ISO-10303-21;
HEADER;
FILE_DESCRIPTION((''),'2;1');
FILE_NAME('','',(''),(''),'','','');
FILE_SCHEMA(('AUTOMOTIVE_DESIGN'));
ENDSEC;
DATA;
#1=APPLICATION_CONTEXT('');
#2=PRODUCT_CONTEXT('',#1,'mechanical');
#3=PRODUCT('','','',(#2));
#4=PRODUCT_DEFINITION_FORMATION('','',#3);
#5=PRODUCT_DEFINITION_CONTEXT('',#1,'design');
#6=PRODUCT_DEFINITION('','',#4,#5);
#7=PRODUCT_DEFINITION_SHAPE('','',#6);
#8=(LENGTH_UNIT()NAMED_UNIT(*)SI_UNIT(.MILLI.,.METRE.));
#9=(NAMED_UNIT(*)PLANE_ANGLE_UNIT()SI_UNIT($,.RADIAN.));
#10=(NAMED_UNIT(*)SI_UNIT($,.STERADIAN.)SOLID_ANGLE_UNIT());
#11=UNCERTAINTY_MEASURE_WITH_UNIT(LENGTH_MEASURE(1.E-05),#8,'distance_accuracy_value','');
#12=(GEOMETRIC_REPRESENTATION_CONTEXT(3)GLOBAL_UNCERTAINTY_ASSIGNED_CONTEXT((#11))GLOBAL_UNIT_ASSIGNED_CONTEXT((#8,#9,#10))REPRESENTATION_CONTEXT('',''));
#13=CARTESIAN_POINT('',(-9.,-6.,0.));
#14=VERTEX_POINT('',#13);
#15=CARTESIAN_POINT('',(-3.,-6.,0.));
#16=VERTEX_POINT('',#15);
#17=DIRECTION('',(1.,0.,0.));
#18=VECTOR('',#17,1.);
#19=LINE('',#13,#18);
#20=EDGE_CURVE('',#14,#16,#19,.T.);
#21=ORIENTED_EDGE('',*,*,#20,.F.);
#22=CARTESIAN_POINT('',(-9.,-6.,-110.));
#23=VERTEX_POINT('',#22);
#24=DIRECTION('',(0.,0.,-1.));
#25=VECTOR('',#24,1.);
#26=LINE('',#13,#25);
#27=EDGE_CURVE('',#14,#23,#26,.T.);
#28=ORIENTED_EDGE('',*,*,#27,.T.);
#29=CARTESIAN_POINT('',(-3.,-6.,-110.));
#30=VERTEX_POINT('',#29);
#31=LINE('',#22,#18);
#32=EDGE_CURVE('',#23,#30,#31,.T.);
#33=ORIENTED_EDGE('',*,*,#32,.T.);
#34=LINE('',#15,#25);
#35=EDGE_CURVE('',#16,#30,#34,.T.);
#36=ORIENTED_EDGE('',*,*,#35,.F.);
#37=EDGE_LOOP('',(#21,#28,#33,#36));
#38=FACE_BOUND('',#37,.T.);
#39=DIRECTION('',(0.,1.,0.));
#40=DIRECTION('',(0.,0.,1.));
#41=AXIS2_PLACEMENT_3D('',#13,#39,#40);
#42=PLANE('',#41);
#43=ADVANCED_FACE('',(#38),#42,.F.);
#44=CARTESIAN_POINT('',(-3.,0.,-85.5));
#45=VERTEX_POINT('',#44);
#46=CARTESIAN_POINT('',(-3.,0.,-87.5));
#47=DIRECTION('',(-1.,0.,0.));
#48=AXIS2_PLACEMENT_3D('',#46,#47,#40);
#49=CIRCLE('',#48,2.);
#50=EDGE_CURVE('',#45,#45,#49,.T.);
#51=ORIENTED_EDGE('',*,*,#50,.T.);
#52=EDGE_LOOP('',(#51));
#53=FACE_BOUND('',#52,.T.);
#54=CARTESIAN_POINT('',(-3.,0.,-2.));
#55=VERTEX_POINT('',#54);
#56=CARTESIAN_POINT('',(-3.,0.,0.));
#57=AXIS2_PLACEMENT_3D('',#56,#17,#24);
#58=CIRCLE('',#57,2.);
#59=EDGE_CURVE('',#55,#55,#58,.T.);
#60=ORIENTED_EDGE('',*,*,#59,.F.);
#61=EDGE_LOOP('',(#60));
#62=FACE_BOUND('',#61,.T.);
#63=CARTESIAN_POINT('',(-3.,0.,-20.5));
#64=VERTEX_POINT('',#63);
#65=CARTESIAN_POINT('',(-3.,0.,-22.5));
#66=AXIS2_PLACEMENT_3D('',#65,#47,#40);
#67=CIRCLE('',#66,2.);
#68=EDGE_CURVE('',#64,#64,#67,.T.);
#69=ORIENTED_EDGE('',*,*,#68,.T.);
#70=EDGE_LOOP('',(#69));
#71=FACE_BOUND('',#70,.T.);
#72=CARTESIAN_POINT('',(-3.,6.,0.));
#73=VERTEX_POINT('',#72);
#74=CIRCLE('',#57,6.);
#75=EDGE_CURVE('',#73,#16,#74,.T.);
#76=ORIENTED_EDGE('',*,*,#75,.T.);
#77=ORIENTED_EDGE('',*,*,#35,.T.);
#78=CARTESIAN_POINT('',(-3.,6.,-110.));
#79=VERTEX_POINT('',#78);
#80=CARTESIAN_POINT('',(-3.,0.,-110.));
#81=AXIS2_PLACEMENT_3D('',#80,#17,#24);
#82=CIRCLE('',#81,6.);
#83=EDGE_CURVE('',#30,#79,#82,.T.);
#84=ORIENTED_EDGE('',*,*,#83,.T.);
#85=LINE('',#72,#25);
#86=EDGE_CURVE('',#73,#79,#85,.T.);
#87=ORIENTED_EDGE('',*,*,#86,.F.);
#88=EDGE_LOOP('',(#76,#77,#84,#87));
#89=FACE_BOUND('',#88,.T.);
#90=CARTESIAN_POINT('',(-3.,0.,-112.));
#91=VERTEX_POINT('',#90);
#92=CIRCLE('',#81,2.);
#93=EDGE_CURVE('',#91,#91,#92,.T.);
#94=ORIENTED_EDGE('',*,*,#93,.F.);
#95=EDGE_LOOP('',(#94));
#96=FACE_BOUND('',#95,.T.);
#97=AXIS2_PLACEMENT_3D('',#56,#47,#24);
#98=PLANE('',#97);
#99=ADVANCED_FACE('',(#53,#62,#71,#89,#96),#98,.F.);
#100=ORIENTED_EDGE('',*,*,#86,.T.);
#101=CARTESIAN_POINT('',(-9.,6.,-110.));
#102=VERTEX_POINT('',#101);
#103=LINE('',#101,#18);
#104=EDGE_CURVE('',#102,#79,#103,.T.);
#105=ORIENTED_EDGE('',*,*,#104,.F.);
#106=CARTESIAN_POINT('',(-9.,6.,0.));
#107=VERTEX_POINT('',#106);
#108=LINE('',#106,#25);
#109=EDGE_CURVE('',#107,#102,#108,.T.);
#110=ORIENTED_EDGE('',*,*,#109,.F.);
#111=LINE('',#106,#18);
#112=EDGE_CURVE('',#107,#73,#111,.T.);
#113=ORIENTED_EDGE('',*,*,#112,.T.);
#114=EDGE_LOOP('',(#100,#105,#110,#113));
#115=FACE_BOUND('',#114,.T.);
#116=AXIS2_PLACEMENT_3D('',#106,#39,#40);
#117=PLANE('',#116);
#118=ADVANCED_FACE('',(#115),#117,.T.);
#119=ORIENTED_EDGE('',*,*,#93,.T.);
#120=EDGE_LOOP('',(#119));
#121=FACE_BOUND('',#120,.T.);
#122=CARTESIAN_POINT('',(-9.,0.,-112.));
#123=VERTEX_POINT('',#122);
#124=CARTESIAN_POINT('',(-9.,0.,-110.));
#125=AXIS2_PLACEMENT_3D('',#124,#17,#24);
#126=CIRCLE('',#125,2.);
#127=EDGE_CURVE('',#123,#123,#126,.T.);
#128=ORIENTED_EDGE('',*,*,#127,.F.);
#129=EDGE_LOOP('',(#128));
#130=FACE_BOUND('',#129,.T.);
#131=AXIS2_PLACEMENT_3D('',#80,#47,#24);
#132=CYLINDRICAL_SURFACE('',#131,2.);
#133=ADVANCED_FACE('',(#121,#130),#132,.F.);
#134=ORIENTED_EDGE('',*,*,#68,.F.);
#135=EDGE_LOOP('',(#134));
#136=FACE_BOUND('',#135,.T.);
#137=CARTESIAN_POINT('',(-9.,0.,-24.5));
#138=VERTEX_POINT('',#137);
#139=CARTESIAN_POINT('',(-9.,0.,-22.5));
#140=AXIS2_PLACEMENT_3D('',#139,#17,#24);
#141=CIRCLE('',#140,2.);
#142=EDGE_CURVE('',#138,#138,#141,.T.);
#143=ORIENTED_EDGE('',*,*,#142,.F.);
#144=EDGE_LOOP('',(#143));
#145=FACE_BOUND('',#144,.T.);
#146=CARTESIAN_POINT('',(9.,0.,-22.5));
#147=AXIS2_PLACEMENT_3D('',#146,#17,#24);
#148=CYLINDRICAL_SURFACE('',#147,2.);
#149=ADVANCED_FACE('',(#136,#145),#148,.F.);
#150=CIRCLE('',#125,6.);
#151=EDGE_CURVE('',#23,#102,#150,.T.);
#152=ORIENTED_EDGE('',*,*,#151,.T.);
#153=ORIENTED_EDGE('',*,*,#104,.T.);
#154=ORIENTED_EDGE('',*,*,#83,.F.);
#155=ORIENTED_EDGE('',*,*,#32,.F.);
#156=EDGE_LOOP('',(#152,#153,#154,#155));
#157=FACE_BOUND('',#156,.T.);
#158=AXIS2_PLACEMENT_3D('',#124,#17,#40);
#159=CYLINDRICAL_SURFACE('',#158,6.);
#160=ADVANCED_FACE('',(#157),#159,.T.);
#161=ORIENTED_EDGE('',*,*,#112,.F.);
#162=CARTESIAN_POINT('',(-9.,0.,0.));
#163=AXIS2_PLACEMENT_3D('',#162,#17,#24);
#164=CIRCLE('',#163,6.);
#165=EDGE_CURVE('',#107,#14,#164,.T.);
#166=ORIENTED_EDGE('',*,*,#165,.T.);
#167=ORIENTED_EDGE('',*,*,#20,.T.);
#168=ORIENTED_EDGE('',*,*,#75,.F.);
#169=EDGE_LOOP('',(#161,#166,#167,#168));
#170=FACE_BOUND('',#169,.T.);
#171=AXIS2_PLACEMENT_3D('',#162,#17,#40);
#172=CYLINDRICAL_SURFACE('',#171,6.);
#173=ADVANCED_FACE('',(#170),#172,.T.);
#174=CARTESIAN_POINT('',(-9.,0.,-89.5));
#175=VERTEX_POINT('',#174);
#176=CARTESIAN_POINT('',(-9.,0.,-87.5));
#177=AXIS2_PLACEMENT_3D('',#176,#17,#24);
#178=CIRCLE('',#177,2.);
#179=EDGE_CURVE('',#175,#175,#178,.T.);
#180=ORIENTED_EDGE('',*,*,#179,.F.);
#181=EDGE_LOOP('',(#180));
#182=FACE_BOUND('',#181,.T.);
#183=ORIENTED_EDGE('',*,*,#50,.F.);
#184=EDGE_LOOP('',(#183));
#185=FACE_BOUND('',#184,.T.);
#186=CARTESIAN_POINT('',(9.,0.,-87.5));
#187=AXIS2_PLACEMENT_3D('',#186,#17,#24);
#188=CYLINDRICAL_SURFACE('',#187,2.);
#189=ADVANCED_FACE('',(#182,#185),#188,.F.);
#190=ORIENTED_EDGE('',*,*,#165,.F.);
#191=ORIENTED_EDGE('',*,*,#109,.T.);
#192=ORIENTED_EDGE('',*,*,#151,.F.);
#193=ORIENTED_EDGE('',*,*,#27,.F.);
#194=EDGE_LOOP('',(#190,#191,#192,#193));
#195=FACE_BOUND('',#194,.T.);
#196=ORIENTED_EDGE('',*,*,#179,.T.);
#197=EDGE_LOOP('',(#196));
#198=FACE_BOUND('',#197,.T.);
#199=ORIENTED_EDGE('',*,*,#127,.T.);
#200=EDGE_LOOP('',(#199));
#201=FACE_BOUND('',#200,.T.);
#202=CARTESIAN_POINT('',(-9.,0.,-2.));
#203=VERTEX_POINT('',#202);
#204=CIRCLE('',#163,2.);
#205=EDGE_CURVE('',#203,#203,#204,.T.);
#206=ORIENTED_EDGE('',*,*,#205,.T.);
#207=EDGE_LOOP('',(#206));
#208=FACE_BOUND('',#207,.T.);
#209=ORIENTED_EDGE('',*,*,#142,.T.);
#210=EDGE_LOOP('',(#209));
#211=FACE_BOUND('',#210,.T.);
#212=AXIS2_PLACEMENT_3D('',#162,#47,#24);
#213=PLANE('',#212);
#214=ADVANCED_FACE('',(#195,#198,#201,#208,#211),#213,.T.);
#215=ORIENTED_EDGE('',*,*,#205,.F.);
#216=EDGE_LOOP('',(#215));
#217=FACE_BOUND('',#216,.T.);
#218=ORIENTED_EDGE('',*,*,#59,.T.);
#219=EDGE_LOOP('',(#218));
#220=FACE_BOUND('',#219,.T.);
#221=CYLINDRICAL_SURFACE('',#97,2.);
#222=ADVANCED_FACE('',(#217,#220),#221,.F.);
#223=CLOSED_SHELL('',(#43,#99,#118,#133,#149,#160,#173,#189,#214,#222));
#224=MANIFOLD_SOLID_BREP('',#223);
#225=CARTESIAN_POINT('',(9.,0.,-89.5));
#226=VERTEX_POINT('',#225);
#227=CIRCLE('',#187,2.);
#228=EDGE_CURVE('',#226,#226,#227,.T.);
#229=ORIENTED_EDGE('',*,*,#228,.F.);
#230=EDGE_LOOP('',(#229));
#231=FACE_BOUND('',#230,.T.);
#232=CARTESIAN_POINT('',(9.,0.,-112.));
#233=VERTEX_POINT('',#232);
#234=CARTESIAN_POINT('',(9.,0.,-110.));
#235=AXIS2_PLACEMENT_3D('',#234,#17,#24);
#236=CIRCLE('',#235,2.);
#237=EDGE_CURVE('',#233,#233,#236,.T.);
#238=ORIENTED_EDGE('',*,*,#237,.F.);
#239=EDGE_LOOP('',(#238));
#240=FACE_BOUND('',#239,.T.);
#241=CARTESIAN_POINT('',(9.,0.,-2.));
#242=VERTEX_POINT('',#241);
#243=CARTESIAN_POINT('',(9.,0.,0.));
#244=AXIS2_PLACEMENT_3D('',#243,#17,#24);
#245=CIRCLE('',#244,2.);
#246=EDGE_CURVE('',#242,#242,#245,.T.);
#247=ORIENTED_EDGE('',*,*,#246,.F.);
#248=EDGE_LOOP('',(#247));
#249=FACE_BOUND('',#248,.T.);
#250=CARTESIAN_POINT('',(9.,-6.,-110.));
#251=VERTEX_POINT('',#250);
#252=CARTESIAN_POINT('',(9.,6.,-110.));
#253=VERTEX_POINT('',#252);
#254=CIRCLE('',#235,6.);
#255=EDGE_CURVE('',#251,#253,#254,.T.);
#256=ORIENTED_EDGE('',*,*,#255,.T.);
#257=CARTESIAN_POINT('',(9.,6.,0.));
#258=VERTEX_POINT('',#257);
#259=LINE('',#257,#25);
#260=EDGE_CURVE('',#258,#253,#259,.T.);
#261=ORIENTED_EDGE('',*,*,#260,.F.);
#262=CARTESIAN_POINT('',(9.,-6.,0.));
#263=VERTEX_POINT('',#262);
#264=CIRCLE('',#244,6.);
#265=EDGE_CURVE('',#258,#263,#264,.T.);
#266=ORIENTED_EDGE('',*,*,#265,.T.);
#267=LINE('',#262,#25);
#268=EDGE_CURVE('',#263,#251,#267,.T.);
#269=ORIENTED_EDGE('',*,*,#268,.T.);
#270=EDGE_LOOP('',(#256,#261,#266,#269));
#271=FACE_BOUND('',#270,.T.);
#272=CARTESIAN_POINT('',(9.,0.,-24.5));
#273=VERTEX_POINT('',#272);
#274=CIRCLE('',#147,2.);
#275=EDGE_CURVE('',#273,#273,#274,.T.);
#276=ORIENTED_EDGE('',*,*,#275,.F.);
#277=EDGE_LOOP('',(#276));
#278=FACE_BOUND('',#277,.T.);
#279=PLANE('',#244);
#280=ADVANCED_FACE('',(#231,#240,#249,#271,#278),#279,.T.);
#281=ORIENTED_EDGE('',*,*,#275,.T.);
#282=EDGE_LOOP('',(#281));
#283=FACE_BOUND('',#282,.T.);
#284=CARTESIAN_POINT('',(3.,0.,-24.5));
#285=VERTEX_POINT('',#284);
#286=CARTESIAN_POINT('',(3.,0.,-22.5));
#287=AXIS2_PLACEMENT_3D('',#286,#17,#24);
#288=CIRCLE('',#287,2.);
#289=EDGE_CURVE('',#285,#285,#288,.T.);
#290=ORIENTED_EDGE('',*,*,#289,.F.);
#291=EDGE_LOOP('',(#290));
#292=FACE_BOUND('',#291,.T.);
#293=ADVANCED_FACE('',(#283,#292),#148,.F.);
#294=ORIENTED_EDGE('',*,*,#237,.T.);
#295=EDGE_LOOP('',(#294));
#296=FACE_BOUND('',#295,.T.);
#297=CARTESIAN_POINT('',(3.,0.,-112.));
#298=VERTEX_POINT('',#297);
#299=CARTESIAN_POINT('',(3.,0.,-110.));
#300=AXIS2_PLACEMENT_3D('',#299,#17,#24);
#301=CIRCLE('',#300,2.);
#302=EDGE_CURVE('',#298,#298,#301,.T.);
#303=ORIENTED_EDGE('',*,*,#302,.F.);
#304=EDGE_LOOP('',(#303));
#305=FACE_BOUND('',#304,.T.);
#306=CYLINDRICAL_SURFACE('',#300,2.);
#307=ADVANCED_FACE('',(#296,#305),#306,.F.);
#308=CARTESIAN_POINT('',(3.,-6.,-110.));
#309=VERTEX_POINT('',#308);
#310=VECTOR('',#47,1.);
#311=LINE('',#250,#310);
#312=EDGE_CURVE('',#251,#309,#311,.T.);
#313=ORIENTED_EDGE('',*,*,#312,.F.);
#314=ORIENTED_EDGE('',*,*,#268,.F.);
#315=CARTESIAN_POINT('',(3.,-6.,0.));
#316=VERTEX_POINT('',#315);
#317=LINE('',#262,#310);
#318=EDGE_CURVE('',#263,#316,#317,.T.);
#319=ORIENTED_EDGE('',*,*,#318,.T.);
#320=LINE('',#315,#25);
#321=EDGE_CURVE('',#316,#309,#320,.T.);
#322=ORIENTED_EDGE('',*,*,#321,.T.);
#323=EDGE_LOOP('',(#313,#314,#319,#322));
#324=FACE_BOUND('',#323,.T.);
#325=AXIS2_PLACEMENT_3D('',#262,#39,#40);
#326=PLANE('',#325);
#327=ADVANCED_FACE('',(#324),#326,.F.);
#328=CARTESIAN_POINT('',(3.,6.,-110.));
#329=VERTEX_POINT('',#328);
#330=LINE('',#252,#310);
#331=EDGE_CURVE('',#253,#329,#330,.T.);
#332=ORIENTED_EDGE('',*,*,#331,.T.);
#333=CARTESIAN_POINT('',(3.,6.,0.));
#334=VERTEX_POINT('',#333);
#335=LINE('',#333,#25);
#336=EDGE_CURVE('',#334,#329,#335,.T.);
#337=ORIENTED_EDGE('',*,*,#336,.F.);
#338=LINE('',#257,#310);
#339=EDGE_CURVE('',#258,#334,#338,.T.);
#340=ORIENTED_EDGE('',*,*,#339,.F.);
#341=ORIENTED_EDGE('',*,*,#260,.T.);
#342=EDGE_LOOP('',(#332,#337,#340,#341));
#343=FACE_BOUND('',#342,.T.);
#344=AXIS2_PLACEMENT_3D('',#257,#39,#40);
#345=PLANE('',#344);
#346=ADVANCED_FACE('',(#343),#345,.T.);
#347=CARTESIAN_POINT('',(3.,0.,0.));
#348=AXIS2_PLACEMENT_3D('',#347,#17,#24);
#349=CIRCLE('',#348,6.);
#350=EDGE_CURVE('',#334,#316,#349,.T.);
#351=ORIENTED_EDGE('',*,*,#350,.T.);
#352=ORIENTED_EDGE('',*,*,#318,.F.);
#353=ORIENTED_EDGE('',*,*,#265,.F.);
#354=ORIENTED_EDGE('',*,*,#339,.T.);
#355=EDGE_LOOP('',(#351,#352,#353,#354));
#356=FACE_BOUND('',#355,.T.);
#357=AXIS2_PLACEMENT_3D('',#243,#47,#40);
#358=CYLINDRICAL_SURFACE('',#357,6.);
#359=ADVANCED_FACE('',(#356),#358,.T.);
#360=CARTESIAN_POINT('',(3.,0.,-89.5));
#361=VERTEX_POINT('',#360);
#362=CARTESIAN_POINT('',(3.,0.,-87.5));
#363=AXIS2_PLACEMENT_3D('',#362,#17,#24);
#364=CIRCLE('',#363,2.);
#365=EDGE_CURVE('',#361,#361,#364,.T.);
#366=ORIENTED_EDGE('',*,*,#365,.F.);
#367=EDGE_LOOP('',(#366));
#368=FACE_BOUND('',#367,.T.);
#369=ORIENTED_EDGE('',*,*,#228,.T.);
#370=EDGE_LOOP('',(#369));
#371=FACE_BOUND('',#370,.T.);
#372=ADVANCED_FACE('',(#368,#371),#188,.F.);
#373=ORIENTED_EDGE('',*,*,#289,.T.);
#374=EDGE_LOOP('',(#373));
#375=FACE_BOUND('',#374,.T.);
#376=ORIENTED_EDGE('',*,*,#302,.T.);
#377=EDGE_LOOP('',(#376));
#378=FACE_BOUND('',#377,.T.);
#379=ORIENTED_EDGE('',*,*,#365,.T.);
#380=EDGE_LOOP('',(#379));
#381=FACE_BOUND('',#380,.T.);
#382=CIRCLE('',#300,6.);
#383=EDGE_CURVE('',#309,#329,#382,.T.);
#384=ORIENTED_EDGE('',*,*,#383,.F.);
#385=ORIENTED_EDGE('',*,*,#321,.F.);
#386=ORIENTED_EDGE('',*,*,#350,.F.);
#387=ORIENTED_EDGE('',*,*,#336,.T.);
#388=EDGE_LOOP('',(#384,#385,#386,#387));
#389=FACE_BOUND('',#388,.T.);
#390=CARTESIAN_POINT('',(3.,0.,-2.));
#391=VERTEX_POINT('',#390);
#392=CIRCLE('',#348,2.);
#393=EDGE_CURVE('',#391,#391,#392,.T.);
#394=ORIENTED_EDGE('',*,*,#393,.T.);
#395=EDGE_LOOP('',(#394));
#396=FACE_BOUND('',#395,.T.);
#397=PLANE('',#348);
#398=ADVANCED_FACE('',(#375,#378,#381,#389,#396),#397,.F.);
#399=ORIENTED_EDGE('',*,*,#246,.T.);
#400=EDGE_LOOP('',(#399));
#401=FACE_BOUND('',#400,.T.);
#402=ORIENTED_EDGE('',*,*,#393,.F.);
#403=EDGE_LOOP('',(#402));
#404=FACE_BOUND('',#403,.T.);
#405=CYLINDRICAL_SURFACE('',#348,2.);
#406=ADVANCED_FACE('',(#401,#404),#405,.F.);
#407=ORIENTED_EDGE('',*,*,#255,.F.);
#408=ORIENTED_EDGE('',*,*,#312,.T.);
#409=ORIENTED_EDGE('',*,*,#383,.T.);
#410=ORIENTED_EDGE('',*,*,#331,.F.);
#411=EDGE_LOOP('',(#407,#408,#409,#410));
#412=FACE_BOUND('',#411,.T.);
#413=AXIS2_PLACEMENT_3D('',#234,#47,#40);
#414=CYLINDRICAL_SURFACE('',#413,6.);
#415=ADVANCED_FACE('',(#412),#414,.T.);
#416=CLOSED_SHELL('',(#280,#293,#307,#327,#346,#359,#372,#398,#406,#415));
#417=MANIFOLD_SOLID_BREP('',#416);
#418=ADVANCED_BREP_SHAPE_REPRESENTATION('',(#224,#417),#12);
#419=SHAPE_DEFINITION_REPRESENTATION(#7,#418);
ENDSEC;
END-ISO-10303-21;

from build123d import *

# Parameters (mm, degrees)
BOSS_EXTRUDE1_DEPTH            = 6
SKETCH2_R                      = 2
CUT_EXTRUDE1_DEPTH             = 1
CUT_EXTRUDE1_DEPTH_BACK        = 7
SKETCH6_W                      = 2
SKETCH6_H                      = 18
F_4_0MM_DOWEL_HOLE1_AT_2_COUNT = 2
F_4_0MM_DOWEL_HOLE1_AT_2_PITCH = 65


with BuildPart() as part:
    # Sketch1 → Boss-Extrude1 (new body)
    with BuildSketch(Plane(origin=(3, 0, 0), x_dir=(0, 0, -1), z_dir=(1, 0, 0))):
        with BuildLine():
            Line((0, 6), (110, 6))
            ThreePointArc((110, 6), (116, 0), (110, -6))
            Line((110, -6), (0, -6))
            ThreePointArc((0, -6), (-6, 0), (0, 6))
        make_face()
    extrude(amount=BOSS_EXTRUDE1_DEPTH)

    # Sketch2 → Cut-Extrude1 (cut, two sides)
    with BuildSketch(Plane(origin=(9, 0, 0), x_dir=(0, 0, -1), z_dir=(1, 0, 0))) as cut_extrude1_sk:
        Circle(SKETCH2_R)
        with Locations((110, 0)):
            Circle(SKETCH2_R)
    extrude(amount=CUT_EXTRUDE1_DEPTH, mode=Mode.SUBTRACT)
    extrude(cut_extrude1_sk.sketch, amount=-CUT_EXTRUDE1_DEPTH_BACK, mode=Mode.SUBTRACT)


with BuildPart() as body_2:
    # Mirror4: mirrored copy
    add(part.part.mirror(Plane(origin=(0, 0, 0), x_dir=(0, 0, 1), z_dir=(1, 0, 0))))


with BuildPart() as f_4_0mm_dowel_hole1_tool:
    # Sketch6 → Ø4.0mm Dowel Hole1 (revolve)
    with BuildSketch(Plane(origin=(9, 0, -87.5), x_dir=(0, 0, -1), z_dir=(0, 1, 0))):
        with Locations((1, 9)):
            Rectangle(SKETCH6_W, SKETCH6_H)
    f_4_0mm_dowel_hole1 = revolve(axis=Axis((15.35, 0, -87.5), (-1, 0, 0)))


with BuildPart() as part_1:
    add(part.part)

    # Ø4.0mm Dowel Hole1: cut by f_4_0mm_dowel_hole1_tool
    add(f_4_0mm_dowel_hole1_tool.part, mode=Mode.SUBTRACT)


with BuildPart() as body_2_1:
    add(body_2.part)

    # Ø4.0mm Dowel Hole1: cut by f_4_0mm_dowel_hole1_tool
    add(f_4_0mm_dowel_hole1_tool.part, mode=Mode.SUBTRACT)


with BuildPart() as f_4_0mm_dowel_hole1_at_2_tool:
    # Ø4.0mm Dowel Hole1 at 2: Ø4.0mm Dowel Hole1 ×2
    with Locations(*[(0, 0, i * F_4_0MM_DOWEL_HOLE1_AT_2_PITCH) for i in range(1, F_4_0MM_DOWEL_HOLE1_AT_2_COUNT)]):
        add(f_4_0mm_dowel_hole1)


with BuildPart() as part_2:
    add(part_1.part)

    # Ø4.0mm Dowel Hole1 at 2: cut by f_4_0mm_dowel_hole1_at_2_tool
    add(f_4_0mm_dowel_hole1_at_2_tool.part, mode=Mode.SUBTRACT)


with BuildPart() as body_2_2:
    add(body_2_1.part)

    # Ø4.0mm Dowel Hole1 at 2: cut by f_4_0mm_dowel_hole1_at_2_tool
    add(f_4_0mm_dowel_hole1_at_2_tool.part, mode=Mode.SUBTRACT)


solid = Compound([part_2.part, body_2_2.part])
